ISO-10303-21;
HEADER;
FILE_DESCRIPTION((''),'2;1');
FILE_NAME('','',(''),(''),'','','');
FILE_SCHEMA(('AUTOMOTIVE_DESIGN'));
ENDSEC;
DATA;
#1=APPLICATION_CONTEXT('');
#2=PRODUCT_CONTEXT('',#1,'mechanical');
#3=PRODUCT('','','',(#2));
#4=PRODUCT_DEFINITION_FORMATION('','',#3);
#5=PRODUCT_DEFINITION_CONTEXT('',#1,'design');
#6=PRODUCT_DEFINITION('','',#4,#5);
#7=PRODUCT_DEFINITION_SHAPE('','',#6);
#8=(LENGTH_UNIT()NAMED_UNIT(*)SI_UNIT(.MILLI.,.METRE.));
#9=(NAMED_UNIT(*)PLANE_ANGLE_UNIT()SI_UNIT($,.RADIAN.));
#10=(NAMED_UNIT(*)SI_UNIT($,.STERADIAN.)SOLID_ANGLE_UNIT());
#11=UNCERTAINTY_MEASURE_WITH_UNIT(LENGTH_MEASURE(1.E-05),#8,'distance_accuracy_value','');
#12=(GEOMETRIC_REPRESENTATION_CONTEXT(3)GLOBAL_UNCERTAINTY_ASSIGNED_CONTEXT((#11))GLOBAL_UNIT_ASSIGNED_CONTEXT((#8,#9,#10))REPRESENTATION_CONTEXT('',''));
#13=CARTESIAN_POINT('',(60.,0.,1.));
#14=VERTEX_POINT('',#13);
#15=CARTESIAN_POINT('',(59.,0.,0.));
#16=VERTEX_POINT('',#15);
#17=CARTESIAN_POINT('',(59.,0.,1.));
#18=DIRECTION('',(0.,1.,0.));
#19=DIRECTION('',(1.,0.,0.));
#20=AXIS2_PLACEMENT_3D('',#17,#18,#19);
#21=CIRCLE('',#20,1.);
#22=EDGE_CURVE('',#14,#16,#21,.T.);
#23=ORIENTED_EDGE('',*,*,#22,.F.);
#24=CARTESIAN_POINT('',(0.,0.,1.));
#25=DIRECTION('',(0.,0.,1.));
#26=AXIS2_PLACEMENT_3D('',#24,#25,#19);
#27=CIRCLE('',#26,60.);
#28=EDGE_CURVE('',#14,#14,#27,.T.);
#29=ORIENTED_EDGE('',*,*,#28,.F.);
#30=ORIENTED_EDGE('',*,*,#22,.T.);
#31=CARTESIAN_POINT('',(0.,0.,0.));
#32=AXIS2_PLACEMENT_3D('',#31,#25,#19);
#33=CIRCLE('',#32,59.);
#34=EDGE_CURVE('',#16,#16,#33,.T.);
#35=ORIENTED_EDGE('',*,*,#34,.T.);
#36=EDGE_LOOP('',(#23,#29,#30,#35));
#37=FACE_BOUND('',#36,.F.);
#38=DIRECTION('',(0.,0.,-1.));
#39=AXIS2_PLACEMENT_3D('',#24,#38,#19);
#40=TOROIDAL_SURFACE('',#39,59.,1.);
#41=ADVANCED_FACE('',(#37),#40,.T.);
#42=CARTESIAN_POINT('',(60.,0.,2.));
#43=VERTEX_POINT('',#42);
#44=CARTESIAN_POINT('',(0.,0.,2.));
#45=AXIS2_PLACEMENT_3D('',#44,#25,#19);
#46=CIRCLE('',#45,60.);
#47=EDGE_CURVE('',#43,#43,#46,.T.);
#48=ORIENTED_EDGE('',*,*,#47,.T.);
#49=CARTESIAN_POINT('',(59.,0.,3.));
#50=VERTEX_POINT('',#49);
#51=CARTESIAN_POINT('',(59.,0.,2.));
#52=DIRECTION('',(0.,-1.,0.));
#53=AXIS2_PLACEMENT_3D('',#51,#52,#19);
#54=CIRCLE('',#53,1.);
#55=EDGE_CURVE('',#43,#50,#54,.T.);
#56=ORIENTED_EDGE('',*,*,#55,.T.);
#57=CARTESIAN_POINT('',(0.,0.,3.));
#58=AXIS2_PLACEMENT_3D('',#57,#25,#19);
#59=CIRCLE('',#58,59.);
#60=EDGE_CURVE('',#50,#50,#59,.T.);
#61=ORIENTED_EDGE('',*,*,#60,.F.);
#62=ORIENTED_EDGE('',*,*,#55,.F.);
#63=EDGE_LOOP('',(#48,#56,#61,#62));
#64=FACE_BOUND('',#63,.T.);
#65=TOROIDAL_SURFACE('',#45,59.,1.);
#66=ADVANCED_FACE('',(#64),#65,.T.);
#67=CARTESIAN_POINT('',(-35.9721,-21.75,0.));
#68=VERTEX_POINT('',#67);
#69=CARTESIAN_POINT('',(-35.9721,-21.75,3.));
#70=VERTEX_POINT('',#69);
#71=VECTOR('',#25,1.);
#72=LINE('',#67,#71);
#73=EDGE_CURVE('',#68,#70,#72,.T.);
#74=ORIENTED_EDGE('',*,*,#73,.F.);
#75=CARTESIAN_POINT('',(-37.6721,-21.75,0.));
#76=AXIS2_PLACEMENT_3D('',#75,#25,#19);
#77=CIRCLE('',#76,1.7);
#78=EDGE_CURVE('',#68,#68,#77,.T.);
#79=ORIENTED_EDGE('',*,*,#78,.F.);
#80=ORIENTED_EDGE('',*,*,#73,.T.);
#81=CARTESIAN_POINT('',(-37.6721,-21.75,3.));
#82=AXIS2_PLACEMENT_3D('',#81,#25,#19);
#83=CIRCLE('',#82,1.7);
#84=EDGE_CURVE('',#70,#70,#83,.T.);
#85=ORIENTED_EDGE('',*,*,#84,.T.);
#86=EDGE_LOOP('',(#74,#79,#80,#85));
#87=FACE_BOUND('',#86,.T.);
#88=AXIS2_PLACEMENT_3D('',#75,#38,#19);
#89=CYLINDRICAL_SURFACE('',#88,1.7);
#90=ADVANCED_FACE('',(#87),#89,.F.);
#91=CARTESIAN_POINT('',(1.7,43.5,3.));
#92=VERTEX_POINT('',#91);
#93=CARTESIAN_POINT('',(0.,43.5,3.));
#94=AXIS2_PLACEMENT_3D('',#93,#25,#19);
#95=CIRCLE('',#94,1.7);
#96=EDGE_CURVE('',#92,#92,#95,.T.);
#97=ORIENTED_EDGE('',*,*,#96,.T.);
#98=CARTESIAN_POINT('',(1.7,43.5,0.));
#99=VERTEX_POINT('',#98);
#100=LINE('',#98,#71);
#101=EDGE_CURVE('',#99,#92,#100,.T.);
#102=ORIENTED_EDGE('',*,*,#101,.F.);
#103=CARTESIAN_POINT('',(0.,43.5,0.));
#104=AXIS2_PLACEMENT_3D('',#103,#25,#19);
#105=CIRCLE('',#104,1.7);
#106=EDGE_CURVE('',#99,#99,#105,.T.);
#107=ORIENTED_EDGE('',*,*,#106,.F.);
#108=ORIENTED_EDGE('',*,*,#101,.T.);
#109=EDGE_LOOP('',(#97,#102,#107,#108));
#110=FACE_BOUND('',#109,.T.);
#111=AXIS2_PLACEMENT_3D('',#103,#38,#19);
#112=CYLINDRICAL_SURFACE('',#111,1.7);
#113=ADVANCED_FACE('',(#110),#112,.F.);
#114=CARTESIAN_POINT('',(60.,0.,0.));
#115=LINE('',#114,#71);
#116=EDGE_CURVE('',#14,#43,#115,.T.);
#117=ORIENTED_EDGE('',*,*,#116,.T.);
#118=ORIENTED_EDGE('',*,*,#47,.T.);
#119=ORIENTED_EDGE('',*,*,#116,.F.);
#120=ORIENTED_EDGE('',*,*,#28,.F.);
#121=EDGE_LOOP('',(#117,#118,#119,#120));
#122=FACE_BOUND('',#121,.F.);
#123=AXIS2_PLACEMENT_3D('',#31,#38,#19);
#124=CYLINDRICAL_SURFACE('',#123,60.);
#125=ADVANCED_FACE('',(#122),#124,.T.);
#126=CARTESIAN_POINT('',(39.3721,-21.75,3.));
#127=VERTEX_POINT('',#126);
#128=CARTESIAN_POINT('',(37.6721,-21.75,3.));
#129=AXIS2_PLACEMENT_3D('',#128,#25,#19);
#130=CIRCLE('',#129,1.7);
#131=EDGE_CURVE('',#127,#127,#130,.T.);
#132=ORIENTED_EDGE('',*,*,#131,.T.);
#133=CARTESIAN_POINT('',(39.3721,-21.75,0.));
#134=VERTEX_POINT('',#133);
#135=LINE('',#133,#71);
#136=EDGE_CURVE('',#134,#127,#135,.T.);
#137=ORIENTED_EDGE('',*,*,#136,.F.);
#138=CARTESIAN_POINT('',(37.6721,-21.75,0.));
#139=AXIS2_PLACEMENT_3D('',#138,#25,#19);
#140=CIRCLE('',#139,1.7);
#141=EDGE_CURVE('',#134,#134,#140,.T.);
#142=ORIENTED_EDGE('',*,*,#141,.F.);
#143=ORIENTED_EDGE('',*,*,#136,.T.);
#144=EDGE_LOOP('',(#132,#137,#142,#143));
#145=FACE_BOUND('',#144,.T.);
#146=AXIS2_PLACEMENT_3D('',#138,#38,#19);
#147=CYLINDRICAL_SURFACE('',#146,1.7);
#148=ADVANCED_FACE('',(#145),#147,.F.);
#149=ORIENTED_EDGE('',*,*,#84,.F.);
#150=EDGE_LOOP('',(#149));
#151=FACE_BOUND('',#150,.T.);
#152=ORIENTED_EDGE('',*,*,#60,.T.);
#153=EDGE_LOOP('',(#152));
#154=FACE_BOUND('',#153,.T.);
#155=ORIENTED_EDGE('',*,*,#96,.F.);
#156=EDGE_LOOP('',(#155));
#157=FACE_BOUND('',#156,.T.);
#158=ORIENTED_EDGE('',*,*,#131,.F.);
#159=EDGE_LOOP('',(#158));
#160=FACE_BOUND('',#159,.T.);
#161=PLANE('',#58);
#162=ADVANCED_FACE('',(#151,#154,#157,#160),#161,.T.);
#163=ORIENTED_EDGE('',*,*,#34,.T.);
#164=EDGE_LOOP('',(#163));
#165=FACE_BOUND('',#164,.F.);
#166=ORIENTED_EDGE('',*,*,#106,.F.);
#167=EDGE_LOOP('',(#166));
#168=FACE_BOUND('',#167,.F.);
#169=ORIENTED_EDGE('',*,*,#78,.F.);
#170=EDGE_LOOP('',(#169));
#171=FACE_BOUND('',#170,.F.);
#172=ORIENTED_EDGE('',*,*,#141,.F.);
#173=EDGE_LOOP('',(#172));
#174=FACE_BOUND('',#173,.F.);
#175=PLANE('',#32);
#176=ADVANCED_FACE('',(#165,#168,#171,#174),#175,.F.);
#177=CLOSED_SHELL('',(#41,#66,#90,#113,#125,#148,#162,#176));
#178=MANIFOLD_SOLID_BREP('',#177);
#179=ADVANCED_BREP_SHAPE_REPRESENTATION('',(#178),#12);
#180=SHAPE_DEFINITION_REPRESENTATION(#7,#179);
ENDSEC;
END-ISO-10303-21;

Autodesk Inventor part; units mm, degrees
ref_plane "YZ Plane" through (0, 0, 0) normal (1, 0, 0) x (0, 1, 0)
ref_plane "XZ Plane" through (0, 0, 0) normal (0, 1, 0) x (-1, 0, 0)
ref_plane "XY Plane" through (0, 0, 0) normal (0, 0, 1) x (1, 0, 0)
sketch "Skizze1" plane through (0, 0, 0) normal (0, 0, 1) x (1, 0, 0)
  circle A0 centre (0, 0) radius 60
  circle A1 centre (0, 0) radius 43.5 construction
  circle A2 centre (0, 43.5) radius 1.7
  circle A3 centre (37.6721, -21.75) radius 1.7
  circle A4 centre (-37.6721, -21.75) radius 1.7
  line L0 (0, 0) -> (37.6721, -21.75) construction
  line L1 (0, 0) -> (-37.6721, -21.75) construction
  line L2 (0, 84) -> (0, -84) construction
  line L3 (-84, 0) -> (84, 0) construction
  dimension "d0" = 120
  dimension "d1" = 87
  dimension "d2" = 3.4
  dimension "d3" = 120
extrude "Extrusion1" add sketch "Skizze1" along normal blind 3
fillet "Rundung1" radius 1 2 edges at (-60, 0, 3) (-60, 0, 0)
properties part number "Base-Plate"
